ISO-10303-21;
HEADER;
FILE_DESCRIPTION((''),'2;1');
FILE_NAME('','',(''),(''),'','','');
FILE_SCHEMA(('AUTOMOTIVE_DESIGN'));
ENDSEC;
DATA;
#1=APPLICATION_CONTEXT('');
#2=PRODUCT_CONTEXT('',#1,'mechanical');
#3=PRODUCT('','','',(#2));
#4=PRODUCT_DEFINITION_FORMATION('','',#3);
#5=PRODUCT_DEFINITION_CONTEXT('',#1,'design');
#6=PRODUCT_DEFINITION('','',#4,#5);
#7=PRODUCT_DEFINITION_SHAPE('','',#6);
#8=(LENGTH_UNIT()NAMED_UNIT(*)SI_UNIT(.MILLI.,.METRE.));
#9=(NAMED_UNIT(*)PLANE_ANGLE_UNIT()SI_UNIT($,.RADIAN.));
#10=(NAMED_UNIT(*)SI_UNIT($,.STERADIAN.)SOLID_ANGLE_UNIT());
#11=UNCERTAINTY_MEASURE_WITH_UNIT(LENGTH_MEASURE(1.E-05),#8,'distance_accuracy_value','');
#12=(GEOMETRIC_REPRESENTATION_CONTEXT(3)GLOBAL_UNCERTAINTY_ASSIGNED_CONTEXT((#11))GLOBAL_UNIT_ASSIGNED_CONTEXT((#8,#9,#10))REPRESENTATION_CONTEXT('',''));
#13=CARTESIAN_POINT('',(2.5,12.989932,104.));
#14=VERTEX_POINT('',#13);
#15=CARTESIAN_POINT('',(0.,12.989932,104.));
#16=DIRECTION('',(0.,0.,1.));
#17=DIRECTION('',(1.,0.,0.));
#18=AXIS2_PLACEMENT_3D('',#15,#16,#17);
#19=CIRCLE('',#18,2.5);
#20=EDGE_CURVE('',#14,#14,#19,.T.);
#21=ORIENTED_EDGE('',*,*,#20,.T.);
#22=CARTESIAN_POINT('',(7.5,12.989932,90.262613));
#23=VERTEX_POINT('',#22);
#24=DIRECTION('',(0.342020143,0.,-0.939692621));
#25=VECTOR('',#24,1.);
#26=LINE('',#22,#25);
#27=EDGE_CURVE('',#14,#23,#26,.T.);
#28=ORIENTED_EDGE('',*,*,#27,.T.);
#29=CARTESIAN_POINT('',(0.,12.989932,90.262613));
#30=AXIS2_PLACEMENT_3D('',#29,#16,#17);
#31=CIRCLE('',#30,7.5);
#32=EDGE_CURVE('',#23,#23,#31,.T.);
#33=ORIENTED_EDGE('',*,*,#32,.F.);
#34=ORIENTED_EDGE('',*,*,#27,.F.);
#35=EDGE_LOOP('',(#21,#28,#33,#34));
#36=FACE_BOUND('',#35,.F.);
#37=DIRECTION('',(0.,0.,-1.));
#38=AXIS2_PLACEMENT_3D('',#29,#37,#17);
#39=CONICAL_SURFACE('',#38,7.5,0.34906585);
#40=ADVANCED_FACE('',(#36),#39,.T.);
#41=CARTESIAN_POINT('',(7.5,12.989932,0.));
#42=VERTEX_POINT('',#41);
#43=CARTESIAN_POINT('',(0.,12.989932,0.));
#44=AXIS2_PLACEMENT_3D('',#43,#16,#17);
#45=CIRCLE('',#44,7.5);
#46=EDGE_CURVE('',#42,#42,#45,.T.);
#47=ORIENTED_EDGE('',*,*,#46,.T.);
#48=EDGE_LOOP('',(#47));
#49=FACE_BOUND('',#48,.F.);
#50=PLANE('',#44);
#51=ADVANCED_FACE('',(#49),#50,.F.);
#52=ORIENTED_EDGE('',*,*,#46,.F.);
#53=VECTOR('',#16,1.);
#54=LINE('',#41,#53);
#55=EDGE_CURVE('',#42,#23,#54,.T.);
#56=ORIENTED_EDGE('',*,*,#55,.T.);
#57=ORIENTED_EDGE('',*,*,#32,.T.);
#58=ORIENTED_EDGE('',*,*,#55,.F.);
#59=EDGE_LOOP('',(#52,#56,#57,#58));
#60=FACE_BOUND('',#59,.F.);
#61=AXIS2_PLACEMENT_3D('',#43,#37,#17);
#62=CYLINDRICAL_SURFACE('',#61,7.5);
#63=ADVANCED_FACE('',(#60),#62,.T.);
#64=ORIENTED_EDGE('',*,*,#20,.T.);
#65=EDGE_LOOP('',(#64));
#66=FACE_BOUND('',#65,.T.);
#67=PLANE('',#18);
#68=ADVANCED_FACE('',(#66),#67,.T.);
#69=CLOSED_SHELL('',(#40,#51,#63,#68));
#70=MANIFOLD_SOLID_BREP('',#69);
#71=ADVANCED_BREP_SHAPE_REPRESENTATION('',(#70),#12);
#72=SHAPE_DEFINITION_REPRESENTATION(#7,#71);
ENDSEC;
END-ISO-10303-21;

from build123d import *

# Parameters (mm, degrees)
F0_R     = 7.5
F1_DEPTH = 104
F2_SIZE2 = 13.7373870973
F2_SIZE  = 5


with BuildPart() as f1:
    # F0 (on Top) → F1 (new body)
    with BuildSketch(Plane.XY):
        with Locations((0, 12.9899320581)):
            Circle(F0_R)
    extrude(amount=F1_DEPTH)

    # F2
    f2_edges = [f1.edges().sort_by_distance(p)[0] for p in [
        (-7.5, 12.989932, 104),
    ]]
    f2_side = f1.faces().sort_by_distance((0, 12.989932, 104))[0]
    chamfer(f2_edges, length=F2_SIZE, length2=F2_SIZE2, reference=f2_side)


solid = f1.part
